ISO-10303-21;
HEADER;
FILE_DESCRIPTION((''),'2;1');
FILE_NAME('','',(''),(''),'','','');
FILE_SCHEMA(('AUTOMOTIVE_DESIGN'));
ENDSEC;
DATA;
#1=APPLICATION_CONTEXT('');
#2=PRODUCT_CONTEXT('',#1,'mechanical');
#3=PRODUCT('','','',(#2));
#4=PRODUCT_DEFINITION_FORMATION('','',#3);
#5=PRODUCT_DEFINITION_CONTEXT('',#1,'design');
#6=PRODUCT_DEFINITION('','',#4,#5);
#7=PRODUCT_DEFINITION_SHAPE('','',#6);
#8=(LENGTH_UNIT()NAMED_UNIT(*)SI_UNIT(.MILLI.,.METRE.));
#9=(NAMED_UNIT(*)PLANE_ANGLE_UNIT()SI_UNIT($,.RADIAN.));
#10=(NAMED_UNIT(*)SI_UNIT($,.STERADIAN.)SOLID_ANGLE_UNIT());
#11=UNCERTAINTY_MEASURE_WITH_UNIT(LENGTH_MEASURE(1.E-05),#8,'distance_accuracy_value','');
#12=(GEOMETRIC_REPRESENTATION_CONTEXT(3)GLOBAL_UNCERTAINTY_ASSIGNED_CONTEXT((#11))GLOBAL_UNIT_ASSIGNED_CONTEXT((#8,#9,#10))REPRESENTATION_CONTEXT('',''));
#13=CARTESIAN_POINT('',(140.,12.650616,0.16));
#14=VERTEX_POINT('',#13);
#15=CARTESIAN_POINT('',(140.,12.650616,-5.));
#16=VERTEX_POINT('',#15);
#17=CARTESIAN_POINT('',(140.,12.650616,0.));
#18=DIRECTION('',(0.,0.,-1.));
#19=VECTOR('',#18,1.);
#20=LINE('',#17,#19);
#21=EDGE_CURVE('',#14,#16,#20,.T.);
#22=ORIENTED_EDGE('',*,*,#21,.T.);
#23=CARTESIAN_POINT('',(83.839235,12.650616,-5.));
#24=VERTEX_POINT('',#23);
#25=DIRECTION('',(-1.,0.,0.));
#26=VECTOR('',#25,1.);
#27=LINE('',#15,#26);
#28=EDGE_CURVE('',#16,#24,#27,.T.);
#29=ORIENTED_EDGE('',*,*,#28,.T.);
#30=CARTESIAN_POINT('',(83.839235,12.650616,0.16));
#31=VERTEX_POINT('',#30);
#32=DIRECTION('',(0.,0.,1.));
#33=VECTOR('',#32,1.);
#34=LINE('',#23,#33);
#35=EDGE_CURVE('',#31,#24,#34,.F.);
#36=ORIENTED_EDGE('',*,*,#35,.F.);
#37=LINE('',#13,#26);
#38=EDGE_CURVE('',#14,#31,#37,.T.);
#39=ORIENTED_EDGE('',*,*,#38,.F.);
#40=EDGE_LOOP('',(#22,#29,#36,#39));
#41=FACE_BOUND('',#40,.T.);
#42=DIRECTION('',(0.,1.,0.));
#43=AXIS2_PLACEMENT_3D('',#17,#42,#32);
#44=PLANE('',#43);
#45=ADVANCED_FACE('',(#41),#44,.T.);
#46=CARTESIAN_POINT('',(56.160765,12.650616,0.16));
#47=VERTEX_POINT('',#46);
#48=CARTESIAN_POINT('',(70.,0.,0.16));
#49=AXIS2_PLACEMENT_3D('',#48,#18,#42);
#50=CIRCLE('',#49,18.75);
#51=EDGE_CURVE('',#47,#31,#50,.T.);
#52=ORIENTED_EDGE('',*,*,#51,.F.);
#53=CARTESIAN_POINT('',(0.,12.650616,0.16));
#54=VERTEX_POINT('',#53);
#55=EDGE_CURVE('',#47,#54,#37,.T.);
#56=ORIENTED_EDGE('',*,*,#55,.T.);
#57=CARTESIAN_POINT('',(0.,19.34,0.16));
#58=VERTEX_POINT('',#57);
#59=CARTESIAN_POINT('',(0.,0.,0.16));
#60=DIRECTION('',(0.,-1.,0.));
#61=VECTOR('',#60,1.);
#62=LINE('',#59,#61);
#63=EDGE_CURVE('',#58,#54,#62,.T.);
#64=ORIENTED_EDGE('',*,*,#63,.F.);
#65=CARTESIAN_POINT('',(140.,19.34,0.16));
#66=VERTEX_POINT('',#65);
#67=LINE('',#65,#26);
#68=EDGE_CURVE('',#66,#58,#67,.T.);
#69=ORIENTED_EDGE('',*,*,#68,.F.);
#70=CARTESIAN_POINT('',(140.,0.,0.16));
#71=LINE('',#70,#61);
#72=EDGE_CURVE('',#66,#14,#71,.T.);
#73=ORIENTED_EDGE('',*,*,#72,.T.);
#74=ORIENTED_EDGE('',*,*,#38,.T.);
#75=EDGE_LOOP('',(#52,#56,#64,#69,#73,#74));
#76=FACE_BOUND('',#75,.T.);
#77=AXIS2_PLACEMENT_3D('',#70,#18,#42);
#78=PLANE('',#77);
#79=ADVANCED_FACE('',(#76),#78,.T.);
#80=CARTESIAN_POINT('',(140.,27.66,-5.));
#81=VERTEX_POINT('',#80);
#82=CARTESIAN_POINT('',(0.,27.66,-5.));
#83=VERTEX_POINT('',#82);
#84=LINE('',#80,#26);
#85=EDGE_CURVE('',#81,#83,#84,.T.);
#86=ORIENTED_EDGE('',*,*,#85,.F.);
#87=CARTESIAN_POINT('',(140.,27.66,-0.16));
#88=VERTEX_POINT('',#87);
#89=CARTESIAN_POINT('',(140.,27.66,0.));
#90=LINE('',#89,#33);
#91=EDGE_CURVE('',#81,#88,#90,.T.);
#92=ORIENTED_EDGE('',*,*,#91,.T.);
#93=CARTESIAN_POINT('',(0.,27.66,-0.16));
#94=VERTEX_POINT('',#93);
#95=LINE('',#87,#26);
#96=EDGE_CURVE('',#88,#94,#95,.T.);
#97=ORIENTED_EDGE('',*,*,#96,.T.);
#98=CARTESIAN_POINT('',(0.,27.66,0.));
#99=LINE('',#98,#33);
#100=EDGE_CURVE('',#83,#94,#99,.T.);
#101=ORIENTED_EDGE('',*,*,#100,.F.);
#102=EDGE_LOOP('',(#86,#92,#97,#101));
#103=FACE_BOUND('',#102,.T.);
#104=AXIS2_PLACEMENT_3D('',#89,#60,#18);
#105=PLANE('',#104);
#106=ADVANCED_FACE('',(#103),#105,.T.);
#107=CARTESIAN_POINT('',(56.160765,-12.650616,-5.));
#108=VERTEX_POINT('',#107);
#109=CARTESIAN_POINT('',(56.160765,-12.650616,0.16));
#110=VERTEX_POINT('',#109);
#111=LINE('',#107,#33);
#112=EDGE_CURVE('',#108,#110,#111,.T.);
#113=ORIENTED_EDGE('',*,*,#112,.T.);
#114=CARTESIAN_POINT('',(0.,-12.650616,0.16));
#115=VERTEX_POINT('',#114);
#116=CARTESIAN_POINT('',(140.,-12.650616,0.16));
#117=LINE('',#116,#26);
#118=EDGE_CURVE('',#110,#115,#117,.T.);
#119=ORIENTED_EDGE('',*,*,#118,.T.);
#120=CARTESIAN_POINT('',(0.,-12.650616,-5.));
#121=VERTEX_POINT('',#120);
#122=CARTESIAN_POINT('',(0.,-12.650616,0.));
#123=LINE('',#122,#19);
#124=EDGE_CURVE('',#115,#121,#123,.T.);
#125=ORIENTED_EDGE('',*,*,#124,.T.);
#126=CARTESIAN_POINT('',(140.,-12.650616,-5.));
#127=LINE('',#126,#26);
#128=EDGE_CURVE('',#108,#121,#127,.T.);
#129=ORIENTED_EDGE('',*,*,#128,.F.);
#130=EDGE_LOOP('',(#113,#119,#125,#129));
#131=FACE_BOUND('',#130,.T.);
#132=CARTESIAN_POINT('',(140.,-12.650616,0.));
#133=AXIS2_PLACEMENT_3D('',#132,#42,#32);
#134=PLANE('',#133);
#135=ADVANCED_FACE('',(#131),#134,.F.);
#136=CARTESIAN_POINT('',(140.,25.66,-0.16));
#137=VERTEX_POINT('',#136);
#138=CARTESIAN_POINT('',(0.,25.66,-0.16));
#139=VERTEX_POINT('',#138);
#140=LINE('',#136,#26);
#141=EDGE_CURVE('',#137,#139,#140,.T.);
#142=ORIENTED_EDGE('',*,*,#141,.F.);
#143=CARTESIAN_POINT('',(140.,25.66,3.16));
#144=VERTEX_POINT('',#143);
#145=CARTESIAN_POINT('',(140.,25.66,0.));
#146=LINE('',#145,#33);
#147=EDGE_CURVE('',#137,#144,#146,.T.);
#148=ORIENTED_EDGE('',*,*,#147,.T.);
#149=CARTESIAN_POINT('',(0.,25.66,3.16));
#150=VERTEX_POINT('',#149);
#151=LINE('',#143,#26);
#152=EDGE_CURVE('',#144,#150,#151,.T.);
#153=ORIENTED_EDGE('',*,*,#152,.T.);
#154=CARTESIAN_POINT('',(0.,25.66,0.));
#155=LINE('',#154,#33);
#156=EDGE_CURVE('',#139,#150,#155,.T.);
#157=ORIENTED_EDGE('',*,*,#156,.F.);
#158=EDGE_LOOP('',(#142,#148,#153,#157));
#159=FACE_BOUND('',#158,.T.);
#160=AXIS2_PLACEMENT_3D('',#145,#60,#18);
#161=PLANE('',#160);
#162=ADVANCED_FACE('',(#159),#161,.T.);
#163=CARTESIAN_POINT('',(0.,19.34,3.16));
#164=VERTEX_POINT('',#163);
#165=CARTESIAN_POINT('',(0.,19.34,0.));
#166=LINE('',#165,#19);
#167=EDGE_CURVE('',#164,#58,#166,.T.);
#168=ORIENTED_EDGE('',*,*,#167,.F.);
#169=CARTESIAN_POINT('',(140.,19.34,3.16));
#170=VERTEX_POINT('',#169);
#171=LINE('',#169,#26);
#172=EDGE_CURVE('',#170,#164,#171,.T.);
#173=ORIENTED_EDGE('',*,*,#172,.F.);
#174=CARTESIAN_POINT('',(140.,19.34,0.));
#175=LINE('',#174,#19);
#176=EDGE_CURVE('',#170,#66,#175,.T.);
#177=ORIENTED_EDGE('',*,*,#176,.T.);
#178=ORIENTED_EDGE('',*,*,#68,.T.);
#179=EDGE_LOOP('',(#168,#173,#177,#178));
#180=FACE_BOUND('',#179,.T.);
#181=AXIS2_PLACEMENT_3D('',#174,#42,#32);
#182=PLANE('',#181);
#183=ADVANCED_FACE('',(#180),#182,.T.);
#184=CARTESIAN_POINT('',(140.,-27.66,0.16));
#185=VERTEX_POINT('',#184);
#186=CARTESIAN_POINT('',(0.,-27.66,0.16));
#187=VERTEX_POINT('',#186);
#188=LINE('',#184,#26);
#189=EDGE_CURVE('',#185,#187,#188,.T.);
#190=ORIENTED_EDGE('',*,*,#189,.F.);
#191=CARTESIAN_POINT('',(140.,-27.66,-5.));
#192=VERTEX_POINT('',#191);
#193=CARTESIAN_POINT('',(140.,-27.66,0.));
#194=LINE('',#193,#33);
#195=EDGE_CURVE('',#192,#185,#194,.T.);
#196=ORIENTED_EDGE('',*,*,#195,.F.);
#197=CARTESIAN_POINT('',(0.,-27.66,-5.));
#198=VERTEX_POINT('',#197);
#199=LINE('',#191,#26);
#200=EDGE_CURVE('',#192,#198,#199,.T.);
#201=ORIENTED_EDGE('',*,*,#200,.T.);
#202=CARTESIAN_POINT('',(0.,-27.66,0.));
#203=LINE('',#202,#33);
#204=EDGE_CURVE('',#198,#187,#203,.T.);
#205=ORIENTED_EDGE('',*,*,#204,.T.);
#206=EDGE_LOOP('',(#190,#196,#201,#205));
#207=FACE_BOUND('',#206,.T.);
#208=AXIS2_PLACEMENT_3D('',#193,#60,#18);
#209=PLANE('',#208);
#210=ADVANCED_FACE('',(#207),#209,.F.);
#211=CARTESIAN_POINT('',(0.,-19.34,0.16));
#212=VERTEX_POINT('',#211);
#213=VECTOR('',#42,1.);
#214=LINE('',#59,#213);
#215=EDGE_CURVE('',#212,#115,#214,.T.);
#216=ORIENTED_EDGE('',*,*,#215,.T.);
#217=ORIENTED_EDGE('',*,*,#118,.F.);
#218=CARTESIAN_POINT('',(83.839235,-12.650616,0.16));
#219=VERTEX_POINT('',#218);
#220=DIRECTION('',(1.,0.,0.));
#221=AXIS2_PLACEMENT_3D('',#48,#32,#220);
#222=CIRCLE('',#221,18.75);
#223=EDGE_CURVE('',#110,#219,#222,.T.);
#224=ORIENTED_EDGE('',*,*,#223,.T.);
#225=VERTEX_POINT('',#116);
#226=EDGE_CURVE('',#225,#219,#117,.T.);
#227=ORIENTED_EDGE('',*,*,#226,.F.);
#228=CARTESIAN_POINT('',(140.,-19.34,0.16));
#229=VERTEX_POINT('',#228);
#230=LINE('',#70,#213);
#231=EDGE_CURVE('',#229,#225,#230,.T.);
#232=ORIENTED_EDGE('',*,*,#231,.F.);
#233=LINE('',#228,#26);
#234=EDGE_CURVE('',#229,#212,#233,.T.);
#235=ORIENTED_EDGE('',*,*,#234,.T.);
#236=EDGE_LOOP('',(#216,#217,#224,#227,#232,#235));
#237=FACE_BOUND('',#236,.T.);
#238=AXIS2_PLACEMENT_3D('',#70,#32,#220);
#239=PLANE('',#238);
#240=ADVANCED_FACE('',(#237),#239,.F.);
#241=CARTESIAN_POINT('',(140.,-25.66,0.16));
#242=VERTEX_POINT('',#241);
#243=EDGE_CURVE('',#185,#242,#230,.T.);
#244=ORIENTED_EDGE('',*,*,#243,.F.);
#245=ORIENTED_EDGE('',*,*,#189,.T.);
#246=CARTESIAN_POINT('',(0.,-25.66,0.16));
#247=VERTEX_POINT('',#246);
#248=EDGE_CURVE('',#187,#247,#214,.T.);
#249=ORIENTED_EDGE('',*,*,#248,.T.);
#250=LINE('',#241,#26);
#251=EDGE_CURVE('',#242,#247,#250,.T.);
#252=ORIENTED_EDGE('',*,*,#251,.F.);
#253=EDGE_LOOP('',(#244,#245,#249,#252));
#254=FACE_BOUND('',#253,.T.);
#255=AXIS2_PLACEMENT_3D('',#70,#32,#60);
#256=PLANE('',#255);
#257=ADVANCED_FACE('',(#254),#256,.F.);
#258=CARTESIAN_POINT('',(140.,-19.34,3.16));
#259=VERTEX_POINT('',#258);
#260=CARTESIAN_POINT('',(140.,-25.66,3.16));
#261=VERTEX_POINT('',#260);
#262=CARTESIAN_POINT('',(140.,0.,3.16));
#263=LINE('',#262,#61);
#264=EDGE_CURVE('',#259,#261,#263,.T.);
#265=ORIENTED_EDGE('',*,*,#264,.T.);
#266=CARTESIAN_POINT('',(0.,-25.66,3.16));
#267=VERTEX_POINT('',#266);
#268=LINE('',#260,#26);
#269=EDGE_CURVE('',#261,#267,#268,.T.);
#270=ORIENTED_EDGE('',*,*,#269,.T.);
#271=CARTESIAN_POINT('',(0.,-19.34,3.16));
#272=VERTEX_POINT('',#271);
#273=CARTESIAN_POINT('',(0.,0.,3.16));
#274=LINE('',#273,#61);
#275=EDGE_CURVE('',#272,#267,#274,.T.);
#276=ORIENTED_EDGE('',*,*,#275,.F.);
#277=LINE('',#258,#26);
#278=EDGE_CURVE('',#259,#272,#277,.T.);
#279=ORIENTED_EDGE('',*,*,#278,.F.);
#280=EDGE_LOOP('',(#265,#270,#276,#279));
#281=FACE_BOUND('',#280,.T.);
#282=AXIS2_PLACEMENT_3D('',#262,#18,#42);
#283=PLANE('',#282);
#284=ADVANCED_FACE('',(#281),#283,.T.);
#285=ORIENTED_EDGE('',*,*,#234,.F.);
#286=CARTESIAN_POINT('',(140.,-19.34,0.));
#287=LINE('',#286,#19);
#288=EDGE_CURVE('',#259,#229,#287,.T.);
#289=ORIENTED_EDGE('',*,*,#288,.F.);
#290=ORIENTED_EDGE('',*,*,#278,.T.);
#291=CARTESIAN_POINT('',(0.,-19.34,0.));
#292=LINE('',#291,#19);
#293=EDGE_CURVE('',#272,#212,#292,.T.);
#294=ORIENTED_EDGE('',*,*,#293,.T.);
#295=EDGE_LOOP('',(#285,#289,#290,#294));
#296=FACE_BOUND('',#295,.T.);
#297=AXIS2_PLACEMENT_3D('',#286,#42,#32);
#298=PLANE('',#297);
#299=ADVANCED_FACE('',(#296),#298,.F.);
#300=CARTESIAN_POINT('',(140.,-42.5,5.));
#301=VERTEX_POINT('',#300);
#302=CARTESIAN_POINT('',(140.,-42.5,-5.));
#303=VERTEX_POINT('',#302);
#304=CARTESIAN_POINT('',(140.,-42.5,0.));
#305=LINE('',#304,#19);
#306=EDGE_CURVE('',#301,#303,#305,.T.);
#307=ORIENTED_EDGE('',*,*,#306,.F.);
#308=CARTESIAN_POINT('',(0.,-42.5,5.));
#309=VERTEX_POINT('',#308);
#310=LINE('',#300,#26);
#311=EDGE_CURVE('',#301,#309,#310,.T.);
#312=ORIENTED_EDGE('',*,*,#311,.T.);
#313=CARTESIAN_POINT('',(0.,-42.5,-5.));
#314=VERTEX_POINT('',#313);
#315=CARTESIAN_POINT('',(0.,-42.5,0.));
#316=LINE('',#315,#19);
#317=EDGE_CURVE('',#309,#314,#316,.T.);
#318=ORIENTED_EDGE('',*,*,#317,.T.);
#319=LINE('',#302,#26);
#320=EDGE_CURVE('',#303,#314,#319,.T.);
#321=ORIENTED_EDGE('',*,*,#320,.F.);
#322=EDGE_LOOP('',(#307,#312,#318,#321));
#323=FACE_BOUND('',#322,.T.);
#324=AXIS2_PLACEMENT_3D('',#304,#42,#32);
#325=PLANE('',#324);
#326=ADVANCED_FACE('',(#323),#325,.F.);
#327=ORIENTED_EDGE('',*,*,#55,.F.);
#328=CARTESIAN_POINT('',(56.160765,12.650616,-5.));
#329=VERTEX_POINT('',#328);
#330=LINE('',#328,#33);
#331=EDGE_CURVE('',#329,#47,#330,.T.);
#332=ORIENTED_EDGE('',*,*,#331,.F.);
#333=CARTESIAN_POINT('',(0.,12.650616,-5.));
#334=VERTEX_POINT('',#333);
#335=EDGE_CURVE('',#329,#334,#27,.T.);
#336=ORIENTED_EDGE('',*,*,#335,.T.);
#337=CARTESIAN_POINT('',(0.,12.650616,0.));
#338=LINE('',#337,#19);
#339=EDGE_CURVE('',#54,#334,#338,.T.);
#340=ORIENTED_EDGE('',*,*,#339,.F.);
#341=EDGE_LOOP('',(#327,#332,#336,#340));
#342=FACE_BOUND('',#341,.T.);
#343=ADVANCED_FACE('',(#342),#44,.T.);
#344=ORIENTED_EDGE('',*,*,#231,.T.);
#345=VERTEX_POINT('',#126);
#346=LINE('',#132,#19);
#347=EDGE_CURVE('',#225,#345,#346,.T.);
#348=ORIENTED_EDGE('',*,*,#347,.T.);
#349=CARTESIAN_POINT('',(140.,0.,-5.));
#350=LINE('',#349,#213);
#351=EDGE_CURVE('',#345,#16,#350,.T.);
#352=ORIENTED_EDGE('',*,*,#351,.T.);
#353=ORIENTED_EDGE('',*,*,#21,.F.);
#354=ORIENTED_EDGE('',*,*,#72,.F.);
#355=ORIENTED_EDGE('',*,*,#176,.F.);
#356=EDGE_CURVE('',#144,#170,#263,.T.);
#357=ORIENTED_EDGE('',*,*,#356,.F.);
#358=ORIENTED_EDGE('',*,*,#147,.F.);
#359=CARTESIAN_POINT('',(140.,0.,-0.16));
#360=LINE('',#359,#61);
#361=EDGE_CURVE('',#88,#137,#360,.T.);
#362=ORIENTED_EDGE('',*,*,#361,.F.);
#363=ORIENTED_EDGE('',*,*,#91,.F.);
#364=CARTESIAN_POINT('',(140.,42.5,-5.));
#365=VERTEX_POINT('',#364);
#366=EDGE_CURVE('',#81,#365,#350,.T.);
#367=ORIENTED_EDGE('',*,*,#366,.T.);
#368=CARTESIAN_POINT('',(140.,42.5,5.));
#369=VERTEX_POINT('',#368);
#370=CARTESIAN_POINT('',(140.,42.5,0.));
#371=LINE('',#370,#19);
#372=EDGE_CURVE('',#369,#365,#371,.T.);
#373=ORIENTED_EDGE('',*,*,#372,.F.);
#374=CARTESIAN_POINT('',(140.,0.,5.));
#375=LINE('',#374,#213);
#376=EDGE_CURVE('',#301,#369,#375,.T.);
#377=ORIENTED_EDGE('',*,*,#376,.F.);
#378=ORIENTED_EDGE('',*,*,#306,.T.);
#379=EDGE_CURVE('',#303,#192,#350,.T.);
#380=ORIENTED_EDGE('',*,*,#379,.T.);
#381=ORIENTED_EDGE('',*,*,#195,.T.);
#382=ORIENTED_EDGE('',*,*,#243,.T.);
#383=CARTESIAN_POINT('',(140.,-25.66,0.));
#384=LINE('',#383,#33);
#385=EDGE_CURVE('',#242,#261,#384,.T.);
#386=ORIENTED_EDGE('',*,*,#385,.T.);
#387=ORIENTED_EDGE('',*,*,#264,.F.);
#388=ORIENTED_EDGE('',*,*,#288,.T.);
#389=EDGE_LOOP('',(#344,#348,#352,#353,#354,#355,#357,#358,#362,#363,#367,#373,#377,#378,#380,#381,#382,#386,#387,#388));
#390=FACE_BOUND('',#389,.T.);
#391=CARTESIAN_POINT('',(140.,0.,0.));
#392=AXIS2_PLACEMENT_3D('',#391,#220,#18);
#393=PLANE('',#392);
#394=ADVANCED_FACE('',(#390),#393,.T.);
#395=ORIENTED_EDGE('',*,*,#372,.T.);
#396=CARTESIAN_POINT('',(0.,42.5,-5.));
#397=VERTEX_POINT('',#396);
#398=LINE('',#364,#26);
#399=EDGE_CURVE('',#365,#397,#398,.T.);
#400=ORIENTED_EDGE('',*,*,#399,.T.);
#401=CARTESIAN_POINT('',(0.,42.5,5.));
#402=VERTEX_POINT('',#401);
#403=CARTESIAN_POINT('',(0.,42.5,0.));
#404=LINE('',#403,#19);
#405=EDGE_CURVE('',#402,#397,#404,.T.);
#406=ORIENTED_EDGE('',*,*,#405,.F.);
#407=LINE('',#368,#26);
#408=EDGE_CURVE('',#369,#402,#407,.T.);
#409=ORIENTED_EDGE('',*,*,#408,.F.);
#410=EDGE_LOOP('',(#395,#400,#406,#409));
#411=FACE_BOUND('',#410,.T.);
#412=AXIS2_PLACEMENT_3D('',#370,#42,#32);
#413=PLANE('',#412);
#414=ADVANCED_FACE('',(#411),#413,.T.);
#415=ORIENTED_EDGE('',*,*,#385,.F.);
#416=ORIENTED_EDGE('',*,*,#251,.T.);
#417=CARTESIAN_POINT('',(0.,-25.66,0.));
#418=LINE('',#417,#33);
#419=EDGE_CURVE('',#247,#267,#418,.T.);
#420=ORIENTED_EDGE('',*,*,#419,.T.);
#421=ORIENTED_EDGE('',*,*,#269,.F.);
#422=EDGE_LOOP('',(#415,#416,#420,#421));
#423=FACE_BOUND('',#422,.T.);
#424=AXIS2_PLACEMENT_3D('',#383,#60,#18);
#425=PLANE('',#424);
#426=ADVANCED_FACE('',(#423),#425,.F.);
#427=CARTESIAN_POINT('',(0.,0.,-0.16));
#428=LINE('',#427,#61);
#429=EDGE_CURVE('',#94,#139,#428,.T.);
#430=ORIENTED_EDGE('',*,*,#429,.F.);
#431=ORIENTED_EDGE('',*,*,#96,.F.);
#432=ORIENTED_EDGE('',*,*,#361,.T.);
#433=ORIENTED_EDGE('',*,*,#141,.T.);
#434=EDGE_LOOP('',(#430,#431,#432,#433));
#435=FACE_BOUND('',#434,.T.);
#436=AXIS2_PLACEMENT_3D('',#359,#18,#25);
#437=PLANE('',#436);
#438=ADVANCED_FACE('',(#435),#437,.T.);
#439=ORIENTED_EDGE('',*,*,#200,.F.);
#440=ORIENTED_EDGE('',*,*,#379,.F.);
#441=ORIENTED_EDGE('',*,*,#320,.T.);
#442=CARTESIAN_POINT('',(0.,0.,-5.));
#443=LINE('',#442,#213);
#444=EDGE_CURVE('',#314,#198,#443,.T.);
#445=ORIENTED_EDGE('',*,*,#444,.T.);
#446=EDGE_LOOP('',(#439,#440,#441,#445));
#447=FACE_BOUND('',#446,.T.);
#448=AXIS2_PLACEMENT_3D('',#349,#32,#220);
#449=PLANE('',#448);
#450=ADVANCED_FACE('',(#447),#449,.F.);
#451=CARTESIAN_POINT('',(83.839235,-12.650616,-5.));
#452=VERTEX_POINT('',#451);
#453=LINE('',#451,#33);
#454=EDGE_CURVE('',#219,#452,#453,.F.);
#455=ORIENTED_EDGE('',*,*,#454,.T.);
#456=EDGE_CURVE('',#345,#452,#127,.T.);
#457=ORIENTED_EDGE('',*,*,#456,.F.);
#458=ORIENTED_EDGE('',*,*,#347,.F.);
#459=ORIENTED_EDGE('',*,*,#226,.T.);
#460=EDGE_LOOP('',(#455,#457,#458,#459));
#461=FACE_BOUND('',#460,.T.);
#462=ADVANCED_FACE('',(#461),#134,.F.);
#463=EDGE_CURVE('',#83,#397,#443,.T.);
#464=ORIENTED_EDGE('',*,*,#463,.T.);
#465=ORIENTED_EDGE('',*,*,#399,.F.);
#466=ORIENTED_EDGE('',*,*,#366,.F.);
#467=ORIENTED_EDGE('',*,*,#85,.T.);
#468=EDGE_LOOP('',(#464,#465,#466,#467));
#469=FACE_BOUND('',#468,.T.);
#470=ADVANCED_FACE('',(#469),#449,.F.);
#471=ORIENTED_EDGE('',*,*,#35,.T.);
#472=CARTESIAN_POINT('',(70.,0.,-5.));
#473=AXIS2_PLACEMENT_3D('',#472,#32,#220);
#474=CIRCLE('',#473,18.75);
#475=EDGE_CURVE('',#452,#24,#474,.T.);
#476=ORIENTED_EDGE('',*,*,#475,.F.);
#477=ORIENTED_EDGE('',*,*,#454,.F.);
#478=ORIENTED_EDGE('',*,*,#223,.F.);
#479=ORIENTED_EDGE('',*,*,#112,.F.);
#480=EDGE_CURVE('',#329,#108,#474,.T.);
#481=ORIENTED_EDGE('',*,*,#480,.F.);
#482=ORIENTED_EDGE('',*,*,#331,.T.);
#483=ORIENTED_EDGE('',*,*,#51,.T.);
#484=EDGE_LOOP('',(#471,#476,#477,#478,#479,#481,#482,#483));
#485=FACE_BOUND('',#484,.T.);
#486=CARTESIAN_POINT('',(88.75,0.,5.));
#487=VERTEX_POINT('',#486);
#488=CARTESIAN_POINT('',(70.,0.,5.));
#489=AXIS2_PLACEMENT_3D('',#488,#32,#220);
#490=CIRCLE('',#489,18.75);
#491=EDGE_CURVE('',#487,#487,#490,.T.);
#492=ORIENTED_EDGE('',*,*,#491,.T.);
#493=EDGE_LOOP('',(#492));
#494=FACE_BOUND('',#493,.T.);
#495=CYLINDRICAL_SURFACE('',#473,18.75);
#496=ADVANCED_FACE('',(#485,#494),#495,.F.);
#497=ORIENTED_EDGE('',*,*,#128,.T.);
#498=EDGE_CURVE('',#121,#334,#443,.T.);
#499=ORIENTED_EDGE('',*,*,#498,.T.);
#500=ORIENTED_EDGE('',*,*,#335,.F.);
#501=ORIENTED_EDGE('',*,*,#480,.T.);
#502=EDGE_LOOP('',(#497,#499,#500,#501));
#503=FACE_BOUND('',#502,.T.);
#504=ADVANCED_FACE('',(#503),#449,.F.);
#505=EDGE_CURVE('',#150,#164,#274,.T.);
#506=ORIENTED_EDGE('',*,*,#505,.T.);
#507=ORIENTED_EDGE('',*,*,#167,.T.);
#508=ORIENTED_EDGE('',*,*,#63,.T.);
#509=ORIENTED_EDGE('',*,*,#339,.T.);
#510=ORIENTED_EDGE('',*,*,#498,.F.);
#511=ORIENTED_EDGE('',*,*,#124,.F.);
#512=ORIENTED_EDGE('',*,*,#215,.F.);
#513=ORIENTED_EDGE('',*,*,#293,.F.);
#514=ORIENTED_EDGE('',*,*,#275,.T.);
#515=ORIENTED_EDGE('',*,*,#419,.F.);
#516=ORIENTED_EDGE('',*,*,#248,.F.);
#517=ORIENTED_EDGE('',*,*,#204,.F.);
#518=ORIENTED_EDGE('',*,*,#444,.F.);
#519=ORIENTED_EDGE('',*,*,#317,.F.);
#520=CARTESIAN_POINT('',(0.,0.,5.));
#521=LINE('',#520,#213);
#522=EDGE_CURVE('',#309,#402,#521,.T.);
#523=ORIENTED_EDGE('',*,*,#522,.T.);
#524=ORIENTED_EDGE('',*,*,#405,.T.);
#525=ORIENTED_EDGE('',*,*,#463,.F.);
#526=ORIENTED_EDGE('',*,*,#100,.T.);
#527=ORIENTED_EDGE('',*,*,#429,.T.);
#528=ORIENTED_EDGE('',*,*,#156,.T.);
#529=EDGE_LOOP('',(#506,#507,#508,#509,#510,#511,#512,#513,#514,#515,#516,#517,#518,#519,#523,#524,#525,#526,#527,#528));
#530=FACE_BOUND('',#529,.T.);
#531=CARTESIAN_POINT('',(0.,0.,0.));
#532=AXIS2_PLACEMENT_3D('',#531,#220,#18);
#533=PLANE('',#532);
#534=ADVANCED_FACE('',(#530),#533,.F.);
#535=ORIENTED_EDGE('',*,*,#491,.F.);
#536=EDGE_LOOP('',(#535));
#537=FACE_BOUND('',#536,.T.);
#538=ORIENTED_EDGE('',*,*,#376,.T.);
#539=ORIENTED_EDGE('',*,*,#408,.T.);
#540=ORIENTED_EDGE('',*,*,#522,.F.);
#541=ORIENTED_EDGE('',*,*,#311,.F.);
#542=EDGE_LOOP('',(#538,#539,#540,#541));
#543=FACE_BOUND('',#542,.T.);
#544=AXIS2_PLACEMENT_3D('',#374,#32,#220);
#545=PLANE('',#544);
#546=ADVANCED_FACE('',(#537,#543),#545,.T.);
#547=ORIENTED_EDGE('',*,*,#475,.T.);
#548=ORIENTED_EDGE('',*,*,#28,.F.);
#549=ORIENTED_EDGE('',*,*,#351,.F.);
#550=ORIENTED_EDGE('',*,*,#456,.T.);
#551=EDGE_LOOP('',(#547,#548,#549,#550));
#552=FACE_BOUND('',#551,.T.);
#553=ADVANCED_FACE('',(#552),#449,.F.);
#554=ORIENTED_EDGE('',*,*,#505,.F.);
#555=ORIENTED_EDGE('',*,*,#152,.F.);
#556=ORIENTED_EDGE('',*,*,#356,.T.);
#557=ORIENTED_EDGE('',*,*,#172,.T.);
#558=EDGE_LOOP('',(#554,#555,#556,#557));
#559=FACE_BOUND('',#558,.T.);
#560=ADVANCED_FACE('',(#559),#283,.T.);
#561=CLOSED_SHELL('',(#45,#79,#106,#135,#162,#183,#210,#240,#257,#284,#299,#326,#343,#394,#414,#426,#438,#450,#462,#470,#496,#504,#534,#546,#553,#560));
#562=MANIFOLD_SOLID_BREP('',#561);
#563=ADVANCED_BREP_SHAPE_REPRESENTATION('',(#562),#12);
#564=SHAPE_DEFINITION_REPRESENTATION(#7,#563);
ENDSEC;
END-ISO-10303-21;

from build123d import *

# Parameters (mm, degrees)
BOSS_EXTRUDE1_DEPTH = 140
SKETCH2_R           = 18.75
CUT_EXTRUDE1_DEPTH  = 147.650093761


with BuildPart() as part:
    # Sketch1 → Boss-Extrude1 (new body)
    with BuildSketch(Plane(origin=(0, 0, 0), x_dir=(0, 0, -1), z_dir=(1, 0, 0))):
        Polygon((0.16, 27.66), (5, 27.66), (5, 42.5), (-5, 42.5), (-5, -42.5), (5, -42.5), (5, -27.66), (-0.16, -27.66), (-0.16, -25.66), (-3.16, -25.66), (-3.16, -19.34), (-0.16, -19.34), (-0.16, -12.650615569), (5, -12.650615569), (5, 12.650615569), (-0.16, 12.650615569), (-0.16, 19.34), (-3.16, 19.34), (-3.16, 25.66), (0.16, 25.66), align=None)
    extrude(amount=BOSS_EXTRUDE1_DEPTH)

    # Sketch2 → Cut-Extrude1 (cut, through all)
    with BuildSketch(Plane.XY.offset(5)):
        with Locations((70, 0)):
            Circle(SKETCH2_R)
    extrude(amount=-CUT_EXTRUDE1_DEPTH, mode=Mode.SUBTRACT)


solid = part.part
